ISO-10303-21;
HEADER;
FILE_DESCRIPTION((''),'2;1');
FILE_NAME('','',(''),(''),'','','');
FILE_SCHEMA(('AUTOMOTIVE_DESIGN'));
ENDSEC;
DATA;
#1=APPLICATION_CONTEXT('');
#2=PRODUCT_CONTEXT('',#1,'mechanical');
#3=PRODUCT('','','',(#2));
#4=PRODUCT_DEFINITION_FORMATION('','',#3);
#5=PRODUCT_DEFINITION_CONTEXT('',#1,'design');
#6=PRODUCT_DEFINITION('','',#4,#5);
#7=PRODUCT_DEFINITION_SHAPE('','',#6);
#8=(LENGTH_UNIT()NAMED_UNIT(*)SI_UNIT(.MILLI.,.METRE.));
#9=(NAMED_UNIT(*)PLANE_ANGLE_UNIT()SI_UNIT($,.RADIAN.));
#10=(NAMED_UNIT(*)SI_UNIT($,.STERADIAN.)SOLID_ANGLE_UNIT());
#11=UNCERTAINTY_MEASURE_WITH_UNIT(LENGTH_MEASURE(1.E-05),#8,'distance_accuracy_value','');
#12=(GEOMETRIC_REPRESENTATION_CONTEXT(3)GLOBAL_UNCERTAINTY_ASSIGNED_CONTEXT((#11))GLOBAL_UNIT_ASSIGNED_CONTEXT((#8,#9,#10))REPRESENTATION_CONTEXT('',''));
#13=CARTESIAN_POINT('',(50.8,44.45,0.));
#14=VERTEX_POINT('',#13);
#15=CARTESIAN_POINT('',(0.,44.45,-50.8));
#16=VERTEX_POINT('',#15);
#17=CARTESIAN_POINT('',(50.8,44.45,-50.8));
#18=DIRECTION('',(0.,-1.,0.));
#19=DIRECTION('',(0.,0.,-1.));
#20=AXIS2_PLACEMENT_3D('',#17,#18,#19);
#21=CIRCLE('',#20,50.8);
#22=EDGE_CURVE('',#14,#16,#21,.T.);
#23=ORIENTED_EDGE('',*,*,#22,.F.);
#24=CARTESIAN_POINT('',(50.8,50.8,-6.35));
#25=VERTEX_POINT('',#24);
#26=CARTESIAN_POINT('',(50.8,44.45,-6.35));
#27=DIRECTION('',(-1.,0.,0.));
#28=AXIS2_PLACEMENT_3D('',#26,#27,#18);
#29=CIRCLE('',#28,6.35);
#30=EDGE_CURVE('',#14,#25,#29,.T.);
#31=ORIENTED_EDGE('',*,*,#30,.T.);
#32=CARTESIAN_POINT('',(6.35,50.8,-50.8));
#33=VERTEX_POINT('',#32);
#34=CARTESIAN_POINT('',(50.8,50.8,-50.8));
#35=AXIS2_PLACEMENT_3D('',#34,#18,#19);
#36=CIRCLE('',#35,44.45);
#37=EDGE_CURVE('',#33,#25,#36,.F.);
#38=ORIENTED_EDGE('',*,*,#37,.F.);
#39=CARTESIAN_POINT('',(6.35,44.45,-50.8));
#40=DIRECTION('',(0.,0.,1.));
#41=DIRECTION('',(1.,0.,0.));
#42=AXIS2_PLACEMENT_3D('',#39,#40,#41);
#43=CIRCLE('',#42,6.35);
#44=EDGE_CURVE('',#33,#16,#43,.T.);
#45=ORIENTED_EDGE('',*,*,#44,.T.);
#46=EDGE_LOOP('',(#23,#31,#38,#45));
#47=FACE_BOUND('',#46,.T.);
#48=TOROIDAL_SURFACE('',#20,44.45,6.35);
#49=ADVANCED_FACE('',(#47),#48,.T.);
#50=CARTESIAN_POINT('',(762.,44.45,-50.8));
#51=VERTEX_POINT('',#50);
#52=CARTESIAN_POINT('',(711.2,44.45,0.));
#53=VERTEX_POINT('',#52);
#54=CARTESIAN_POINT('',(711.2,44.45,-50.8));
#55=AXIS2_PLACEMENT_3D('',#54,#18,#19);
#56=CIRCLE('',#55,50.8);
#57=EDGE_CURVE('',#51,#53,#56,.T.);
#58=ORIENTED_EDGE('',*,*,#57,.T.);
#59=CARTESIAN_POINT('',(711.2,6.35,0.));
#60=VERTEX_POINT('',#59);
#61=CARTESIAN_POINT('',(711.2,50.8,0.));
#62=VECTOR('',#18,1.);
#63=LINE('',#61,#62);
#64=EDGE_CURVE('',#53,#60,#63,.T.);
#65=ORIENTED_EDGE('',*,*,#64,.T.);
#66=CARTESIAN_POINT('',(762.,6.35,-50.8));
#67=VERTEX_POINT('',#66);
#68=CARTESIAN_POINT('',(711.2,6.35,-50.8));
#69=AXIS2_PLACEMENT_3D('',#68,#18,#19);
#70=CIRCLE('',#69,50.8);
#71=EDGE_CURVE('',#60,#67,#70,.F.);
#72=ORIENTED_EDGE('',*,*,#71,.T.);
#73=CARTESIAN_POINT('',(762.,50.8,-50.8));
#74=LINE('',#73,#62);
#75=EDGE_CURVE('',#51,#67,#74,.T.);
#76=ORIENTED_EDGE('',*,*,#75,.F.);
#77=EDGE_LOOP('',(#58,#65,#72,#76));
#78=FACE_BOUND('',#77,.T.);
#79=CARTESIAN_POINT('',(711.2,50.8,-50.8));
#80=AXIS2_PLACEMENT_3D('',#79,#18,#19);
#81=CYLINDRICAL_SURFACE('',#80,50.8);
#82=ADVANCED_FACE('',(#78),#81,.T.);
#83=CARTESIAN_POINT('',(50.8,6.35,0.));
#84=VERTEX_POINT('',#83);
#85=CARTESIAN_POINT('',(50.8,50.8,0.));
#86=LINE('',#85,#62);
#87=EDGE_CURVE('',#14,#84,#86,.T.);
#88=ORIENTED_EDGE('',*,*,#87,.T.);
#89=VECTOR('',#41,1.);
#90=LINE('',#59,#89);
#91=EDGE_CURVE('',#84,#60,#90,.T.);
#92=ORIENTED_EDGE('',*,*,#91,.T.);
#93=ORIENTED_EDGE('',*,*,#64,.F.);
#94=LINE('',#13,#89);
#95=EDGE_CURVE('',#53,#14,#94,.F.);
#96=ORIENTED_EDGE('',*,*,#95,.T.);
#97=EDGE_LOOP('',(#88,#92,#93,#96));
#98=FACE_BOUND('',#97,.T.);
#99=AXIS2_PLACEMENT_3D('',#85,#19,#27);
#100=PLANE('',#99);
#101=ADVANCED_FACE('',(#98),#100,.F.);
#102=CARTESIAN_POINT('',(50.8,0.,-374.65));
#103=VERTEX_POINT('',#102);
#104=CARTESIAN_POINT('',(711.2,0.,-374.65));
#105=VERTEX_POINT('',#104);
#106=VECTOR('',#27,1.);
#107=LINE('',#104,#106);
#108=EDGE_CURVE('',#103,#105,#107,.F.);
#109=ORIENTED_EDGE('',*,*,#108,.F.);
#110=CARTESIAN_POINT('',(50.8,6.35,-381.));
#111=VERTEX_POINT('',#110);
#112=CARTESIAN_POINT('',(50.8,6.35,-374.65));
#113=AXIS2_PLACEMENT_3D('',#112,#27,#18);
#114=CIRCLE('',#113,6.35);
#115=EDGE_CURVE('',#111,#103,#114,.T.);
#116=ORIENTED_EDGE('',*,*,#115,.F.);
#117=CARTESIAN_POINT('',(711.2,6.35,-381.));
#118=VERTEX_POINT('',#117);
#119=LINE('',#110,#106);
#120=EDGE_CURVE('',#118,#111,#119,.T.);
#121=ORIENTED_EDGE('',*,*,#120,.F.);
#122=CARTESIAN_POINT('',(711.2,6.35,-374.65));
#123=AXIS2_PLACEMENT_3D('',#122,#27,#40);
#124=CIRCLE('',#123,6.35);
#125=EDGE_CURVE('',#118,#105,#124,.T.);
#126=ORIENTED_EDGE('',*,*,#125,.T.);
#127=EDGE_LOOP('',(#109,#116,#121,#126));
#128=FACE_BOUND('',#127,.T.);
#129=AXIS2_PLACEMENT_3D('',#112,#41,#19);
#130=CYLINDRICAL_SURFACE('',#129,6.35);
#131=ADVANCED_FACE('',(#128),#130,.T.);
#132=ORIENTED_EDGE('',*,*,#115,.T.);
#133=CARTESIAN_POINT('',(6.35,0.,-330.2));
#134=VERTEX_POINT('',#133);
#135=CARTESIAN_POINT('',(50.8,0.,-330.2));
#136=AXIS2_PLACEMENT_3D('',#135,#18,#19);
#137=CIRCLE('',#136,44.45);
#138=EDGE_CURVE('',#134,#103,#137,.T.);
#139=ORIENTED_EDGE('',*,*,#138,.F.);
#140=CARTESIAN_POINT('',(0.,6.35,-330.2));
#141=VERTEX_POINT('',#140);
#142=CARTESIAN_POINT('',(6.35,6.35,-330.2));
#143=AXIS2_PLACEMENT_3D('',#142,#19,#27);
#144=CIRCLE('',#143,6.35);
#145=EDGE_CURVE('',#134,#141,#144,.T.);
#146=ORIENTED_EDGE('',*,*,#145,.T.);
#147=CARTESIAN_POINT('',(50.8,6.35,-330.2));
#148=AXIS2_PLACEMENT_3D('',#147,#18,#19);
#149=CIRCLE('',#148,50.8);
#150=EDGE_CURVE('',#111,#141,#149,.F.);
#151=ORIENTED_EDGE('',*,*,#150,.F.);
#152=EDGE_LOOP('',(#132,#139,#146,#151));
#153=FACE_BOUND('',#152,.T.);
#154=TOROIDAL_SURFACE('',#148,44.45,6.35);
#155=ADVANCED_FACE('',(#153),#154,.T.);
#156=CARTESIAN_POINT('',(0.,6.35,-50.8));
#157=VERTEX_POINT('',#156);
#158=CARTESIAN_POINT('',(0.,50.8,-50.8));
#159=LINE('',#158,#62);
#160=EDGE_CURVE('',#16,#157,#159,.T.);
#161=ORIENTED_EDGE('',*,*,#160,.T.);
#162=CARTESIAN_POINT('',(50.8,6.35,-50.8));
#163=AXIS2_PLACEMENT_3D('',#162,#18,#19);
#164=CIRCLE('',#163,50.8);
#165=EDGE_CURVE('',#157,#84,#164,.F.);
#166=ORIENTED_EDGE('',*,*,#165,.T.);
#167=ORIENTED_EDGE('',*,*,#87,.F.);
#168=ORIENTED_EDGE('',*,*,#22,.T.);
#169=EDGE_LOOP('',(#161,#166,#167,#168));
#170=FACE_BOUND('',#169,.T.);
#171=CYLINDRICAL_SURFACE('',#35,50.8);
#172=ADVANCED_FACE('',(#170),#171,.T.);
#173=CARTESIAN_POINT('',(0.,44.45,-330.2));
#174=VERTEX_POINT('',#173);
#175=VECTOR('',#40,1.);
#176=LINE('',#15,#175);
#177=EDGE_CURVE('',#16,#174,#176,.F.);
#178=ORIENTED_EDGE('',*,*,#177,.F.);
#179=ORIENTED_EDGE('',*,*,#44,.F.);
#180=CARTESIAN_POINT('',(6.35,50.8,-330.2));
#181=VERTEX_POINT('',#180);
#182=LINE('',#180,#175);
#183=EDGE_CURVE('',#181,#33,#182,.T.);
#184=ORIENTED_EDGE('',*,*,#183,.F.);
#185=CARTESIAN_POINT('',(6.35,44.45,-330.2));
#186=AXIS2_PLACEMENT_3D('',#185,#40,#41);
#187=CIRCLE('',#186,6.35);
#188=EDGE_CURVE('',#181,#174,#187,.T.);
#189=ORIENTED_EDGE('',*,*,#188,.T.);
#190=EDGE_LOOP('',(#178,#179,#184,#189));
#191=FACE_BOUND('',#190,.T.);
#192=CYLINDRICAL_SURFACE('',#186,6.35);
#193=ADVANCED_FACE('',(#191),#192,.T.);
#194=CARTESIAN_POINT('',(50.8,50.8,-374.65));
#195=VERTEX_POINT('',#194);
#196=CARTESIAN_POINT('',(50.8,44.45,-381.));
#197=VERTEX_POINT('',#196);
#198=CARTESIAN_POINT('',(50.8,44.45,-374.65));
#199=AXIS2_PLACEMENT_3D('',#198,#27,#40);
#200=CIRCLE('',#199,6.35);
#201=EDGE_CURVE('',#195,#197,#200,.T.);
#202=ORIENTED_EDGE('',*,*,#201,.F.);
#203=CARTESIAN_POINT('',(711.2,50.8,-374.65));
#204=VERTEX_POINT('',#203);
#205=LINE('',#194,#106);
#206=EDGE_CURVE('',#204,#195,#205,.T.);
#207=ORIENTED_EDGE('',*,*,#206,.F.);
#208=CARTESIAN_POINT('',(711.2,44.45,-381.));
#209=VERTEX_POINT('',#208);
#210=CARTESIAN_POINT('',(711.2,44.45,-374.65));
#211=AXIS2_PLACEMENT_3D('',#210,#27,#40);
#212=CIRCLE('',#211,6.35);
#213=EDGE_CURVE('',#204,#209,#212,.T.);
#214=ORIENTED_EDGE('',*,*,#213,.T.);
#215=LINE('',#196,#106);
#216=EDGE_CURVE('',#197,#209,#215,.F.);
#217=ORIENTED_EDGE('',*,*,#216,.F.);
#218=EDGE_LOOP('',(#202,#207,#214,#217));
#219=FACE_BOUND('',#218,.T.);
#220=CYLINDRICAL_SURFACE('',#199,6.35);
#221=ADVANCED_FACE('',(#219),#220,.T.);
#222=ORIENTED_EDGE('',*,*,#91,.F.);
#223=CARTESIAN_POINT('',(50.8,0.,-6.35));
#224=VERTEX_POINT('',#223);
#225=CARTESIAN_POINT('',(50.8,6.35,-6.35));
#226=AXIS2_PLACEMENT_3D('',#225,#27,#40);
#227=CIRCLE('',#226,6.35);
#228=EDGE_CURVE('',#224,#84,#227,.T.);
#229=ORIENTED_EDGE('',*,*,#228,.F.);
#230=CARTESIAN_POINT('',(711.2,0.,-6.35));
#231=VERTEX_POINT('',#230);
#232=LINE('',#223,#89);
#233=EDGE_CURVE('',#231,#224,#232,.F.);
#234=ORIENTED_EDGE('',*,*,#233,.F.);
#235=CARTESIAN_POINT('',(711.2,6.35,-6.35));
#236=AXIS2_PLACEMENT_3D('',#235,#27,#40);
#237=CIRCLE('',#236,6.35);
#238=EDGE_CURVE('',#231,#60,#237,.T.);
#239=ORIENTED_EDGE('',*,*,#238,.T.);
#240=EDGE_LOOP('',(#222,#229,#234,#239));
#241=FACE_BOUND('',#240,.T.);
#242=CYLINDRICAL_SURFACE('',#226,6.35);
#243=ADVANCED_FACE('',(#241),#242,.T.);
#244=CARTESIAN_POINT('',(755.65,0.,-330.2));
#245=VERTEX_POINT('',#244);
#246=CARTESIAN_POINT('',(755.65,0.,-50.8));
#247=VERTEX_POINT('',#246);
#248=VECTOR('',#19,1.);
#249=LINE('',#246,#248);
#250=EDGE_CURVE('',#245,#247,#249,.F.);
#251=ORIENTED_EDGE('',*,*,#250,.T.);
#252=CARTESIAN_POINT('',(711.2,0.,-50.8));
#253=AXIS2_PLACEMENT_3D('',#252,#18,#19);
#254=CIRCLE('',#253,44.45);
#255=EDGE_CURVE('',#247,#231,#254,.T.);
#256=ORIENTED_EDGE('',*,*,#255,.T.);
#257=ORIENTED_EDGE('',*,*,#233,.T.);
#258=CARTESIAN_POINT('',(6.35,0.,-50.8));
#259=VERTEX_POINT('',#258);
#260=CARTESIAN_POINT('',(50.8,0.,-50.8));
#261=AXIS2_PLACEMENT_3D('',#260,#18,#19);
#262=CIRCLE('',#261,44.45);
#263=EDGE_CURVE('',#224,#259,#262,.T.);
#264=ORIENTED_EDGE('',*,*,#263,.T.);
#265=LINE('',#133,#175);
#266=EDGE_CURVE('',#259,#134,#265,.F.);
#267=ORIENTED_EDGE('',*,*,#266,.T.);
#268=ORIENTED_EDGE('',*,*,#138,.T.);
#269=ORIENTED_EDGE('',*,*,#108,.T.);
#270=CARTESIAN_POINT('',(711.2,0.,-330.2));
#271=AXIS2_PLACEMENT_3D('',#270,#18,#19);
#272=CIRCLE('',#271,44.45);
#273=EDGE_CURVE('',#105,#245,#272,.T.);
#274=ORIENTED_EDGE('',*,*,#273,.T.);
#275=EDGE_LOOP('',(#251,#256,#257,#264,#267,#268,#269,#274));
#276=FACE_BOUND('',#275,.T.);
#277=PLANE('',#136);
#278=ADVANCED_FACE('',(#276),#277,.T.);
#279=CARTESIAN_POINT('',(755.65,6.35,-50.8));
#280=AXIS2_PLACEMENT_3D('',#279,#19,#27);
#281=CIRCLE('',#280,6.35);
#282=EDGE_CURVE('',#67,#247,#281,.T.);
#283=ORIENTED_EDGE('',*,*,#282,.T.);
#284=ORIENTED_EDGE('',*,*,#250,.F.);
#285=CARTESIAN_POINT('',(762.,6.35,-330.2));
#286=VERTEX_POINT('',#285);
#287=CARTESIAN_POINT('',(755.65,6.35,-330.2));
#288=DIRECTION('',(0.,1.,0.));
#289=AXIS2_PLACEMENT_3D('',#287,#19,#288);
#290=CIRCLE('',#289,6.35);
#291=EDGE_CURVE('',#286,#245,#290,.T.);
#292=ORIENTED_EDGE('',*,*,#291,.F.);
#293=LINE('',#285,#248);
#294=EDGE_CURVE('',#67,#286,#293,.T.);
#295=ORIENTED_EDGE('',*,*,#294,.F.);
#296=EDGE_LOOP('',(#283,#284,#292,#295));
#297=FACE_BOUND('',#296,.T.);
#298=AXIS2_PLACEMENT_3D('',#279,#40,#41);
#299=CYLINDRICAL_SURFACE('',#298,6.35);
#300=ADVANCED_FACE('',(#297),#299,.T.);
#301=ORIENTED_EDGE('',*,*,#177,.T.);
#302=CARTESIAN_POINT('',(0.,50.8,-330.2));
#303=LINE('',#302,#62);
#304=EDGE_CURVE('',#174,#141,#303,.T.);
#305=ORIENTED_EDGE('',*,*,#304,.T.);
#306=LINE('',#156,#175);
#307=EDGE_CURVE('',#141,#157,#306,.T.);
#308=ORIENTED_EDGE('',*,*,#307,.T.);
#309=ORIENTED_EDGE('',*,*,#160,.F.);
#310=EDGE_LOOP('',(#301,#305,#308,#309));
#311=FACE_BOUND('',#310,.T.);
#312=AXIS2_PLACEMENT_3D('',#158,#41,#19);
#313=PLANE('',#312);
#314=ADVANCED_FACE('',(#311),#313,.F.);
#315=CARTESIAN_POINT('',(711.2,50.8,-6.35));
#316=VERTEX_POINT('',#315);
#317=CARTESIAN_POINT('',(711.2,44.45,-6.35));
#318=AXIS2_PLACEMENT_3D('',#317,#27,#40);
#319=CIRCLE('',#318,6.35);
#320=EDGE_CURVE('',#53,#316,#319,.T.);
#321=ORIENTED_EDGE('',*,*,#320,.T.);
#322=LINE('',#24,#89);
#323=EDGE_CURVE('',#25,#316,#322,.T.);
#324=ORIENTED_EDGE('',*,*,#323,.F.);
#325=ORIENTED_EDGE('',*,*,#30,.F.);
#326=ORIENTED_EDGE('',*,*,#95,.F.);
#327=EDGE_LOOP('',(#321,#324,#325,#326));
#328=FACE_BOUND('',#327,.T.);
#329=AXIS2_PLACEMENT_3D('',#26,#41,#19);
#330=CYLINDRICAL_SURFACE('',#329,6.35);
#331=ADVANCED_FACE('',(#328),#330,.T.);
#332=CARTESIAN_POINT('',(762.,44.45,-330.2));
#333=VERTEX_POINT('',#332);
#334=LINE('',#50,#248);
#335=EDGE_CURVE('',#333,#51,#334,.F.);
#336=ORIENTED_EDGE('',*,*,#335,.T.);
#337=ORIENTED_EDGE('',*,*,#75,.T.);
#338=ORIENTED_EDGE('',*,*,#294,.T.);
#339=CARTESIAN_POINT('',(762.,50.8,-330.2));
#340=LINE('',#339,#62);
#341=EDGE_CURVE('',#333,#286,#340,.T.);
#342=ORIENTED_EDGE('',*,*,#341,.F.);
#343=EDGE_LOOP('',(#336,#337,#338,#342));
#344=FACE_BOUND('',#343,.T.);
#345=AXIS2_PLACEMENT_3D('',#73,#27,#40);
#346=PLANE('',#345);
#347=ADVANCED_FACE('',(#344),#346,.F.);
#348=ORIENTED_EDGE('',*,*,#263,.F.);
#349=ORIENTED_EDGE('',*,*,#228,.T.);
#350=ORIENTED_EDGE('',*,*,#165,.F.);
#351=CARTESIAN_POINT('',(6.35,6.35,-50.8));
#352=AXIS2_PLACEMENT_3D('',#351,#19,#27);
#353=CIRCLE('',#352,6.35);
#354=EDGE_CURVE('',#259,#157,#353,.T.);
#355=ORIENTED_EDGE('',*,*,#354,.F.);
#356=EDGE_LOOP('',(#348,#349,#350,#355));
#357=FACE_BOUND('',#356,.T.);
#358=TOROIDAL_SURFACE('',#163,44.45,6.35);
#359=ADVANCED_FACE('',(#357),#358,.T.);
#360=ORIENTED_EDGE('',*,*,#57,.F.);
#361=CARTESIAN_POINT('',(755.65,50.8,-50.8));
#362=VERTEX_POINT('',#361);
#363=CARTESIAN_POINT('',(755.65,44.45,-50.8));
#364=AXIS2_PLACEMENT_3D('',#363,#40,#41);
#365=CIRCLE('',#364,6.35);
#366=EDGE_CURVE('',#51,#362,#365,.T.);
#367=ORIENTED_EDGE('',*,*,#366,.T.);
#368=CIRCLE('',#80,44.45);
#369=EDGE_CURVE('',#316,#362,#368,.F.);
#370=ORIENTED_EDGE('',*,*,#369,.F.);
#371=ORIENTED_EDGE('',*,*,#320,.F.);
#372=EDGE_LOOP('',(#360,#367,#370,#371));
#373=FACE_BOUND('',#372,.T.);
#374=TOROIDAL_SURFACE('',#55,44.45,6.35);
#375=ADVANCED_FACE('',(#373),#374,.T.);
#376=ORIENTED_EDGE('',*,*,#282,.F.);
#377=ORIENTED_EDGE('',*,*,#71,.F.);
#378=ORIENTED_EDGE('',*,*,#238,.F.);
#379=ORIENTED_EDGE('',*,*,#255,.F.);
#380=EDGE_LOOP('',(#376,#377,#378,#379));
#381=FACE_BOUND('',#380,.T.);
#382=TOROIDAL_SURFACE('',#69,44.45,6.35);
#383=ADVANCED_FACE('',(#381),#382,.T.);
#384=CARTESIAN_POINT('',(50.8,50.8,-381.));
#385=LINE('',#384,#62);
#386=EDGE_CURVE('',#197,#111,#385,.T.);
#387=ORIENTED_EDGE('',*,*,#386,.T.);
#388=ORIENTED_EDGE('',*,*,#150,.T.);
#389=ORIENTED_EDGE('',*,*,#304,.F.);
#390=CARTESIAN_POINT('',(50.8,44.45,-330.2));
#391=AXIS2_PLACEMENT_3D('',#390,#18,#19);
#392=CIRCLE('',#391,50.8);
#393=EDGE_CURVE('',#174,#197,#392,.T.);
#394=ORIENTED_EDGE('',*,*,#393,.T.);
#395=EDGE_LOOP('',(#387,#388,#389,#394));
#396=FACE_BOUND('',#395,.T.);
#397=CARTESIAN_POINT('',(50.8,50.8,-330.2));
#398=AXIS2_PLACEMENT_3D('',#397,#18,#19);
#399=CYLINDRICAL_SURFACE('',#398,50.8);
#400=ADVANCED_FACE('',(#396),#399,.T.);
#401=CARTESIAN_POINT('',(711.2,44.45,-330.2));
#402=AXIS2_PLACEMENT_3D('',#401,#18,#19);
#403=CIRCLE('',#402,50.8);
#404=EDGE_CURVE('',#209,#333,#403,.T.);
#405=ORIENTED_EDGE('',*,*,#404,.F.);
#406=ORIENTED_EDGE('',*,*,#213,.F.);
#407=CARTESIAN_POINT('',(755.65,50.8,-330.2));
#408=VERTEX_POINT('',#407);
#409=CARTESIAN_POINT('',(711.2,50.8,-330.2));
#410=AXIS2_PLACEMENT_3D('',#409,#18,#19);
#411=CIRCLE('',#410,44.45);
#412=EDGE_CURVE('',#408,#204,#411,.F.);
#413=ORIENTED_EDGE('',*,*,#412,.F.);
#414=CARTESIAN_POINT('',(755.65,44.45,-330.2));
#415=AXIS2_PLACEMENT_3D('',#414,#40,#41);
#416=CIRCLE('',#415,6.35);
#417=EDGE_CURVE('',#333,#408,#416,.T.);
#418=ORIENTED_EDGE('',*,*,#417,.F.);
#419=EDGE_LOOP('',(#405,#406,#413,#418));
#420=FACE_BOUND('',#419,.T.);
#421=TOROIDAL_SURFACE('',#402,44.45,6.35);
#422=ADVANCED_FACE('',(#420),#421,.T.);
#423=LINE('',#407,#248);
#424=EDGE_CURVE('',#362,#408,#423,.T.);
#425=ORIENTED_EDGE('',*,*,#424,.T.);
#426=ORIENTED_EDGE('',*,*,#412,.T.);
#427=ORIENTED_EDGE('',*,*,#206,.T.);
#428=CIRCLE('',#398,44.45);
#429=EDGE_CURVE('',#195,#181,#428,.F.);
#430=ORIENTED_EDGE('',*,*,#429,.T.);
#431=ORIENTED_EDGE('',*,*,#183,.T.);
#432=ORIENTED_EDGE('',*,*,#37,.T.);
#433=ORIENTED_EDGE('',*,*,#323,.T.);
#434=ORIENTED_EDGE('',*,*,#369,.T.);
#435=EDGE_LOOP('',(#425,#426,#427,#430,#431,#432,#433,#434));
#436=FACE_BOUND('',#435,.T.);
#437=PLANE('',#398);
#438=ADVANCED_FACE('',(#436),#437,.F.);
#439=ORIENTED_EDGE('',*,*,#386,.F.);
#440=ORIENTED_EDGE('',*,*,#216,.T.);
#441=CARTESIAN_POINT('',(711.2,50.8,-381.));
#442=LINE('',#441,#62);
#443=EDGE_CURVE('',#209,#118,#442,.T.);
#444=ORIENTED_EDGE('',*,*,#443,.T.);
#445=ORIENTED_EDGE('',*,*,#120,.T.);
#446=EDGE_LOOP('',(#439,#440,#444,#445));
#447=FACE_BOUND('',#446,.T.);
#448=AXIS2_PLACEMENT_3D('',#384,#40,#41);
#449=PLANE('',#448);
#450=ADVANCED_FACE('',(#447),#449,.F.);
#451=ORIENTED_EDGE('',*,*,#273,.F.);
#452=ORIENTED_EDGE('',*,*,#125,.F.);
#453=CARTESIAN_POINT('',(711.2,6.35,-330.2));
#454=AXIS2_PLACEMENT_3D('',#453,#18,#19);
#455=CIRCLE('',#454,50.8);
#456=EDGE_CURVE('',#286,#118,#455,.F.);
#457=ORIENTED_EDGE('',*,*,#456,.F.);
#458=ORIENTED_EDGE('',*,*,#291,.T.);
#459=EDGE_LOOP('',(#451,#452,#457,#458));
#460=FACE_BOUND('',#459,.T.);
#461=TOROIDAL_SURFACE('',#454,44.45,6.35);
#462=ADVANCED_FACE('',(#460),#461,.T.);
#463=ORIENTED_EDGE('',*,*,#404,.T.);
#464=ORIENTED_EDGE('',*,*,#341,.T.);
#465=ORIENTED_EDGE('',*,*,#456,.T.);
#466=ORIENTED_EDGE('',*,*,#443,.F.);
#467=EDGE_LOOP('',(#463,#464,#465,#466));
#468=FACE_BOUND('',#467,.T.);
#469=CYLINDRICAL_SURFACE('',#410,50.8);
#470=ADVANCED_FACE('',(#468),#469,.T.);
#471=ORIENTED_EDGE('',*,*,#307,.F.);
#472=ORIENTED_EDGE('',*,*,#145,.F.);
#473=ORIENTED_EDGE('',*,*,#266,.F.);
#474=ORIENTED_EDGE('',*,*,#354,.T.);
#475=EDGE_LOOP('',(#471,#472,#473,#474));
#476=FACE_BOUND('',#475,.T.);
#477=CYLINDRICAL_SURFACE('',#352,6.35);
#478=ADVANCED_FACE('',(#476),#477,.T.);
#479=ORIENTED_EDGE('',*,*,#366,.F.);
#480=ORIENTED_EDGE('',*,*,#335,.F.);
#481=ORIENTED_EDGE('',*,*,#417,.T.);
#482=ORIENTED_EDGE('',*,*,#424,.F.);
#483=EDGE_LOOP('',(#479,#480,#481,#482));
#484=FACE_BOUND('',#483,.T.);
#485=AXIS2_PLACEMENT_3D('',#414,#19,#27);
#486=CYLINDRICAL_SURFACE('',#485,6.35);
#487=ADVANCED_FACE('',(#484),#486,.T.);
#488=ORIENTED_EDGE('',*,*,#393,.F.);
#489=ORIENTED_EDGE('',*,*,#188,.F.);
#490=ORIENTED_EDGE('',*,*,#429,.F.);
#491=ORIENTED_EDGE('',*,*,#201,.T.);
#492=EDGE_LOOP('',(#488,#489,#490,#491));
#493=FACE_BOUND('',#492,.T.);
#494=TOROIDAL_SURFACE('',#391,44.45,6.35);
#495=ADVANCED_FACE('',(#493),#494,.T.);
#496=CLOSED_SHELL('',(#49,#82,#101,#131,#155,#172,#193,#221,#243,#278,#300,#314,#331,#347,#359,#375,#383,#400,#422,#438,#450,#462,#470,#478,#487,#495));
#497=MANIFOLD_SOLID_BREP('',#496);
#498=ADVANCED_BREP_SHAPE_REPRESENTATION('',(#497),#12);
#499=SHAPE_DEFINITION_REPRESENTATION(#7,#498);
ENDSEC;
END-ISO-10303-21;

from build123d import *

# Parameters (mm, degrees)
BOSS_EXTRUDE1_DEPTH = 50.8
FILLET1_R           = 6.35
FILLET2_R           = 6.35


with BuildPart() as part:
    # Sketch1 → Boss-Extrude1 (new body)
    with BuildSketch(Plane(origin=(0, 0, 0), x_dir=(1, 0, 0), z_dir=(0, 1, 0))):
        with BuildLine():
            Line((50.8, 0), (711.2, 0))
            ThreePointArc((711.2, 0), (747.121024484, 14.878975516), (762, 50.8))
            Line((762, 50.8), (762, 330.2))
            ThreePointArc((762, 330.2), (747.121024484, 366.121024484), (711.2, 381))
            Line((711.2, 381), (50.8, 381))
            ThreePointArc((50.8, 381), (14.878975516, 366.121024484), (0, 330.2))
            Line((0, 330.2), (0, 50.8))
            ThreePointArc((0, 50.8), (14.878975516, 14.878975516), (50.8, 0))
        make_face()
    extrude(amount=BOSS_EXTRUDE1_DEPTH)

    # Fillet1
    fillet1_edges = [part.edges().sort_by_distance(p)[0] for p in [
        (14.878975516, 50.8, -14.878975516),
        (381, 50.8, 0),
        (747.121024484, 50.8, -14.878975516),
        (762, 50.8, -190.5),
        (747.121024484, 50.8, -366.121024484),
        (381, 50.8, -381),
        (14.878975516, 50.8, -366.121024484),
        (0, 50.8, -190.5),
    ]]
    fillet(fillet1_edges, radius=FILLET1_R)

    # Fillet2
    fillet2_edges = [part.edges().sort_by_distance(p)[0] for p in [
        (0, 0, -190.5),
        (14.878975516, 0, -366.121024484),
        (381, 0, -381),
        (747.121024484, 0, -366.121024484),
        (762, 0, -190.5),
        (747.121024484, 0, -14.878975516),
        (381, 0, 0),
        (14.878975516, 0, -14.878975516),
    ]]
    fillet(fillet2_edges, radius=FILLET2_R)


solid = part.part
